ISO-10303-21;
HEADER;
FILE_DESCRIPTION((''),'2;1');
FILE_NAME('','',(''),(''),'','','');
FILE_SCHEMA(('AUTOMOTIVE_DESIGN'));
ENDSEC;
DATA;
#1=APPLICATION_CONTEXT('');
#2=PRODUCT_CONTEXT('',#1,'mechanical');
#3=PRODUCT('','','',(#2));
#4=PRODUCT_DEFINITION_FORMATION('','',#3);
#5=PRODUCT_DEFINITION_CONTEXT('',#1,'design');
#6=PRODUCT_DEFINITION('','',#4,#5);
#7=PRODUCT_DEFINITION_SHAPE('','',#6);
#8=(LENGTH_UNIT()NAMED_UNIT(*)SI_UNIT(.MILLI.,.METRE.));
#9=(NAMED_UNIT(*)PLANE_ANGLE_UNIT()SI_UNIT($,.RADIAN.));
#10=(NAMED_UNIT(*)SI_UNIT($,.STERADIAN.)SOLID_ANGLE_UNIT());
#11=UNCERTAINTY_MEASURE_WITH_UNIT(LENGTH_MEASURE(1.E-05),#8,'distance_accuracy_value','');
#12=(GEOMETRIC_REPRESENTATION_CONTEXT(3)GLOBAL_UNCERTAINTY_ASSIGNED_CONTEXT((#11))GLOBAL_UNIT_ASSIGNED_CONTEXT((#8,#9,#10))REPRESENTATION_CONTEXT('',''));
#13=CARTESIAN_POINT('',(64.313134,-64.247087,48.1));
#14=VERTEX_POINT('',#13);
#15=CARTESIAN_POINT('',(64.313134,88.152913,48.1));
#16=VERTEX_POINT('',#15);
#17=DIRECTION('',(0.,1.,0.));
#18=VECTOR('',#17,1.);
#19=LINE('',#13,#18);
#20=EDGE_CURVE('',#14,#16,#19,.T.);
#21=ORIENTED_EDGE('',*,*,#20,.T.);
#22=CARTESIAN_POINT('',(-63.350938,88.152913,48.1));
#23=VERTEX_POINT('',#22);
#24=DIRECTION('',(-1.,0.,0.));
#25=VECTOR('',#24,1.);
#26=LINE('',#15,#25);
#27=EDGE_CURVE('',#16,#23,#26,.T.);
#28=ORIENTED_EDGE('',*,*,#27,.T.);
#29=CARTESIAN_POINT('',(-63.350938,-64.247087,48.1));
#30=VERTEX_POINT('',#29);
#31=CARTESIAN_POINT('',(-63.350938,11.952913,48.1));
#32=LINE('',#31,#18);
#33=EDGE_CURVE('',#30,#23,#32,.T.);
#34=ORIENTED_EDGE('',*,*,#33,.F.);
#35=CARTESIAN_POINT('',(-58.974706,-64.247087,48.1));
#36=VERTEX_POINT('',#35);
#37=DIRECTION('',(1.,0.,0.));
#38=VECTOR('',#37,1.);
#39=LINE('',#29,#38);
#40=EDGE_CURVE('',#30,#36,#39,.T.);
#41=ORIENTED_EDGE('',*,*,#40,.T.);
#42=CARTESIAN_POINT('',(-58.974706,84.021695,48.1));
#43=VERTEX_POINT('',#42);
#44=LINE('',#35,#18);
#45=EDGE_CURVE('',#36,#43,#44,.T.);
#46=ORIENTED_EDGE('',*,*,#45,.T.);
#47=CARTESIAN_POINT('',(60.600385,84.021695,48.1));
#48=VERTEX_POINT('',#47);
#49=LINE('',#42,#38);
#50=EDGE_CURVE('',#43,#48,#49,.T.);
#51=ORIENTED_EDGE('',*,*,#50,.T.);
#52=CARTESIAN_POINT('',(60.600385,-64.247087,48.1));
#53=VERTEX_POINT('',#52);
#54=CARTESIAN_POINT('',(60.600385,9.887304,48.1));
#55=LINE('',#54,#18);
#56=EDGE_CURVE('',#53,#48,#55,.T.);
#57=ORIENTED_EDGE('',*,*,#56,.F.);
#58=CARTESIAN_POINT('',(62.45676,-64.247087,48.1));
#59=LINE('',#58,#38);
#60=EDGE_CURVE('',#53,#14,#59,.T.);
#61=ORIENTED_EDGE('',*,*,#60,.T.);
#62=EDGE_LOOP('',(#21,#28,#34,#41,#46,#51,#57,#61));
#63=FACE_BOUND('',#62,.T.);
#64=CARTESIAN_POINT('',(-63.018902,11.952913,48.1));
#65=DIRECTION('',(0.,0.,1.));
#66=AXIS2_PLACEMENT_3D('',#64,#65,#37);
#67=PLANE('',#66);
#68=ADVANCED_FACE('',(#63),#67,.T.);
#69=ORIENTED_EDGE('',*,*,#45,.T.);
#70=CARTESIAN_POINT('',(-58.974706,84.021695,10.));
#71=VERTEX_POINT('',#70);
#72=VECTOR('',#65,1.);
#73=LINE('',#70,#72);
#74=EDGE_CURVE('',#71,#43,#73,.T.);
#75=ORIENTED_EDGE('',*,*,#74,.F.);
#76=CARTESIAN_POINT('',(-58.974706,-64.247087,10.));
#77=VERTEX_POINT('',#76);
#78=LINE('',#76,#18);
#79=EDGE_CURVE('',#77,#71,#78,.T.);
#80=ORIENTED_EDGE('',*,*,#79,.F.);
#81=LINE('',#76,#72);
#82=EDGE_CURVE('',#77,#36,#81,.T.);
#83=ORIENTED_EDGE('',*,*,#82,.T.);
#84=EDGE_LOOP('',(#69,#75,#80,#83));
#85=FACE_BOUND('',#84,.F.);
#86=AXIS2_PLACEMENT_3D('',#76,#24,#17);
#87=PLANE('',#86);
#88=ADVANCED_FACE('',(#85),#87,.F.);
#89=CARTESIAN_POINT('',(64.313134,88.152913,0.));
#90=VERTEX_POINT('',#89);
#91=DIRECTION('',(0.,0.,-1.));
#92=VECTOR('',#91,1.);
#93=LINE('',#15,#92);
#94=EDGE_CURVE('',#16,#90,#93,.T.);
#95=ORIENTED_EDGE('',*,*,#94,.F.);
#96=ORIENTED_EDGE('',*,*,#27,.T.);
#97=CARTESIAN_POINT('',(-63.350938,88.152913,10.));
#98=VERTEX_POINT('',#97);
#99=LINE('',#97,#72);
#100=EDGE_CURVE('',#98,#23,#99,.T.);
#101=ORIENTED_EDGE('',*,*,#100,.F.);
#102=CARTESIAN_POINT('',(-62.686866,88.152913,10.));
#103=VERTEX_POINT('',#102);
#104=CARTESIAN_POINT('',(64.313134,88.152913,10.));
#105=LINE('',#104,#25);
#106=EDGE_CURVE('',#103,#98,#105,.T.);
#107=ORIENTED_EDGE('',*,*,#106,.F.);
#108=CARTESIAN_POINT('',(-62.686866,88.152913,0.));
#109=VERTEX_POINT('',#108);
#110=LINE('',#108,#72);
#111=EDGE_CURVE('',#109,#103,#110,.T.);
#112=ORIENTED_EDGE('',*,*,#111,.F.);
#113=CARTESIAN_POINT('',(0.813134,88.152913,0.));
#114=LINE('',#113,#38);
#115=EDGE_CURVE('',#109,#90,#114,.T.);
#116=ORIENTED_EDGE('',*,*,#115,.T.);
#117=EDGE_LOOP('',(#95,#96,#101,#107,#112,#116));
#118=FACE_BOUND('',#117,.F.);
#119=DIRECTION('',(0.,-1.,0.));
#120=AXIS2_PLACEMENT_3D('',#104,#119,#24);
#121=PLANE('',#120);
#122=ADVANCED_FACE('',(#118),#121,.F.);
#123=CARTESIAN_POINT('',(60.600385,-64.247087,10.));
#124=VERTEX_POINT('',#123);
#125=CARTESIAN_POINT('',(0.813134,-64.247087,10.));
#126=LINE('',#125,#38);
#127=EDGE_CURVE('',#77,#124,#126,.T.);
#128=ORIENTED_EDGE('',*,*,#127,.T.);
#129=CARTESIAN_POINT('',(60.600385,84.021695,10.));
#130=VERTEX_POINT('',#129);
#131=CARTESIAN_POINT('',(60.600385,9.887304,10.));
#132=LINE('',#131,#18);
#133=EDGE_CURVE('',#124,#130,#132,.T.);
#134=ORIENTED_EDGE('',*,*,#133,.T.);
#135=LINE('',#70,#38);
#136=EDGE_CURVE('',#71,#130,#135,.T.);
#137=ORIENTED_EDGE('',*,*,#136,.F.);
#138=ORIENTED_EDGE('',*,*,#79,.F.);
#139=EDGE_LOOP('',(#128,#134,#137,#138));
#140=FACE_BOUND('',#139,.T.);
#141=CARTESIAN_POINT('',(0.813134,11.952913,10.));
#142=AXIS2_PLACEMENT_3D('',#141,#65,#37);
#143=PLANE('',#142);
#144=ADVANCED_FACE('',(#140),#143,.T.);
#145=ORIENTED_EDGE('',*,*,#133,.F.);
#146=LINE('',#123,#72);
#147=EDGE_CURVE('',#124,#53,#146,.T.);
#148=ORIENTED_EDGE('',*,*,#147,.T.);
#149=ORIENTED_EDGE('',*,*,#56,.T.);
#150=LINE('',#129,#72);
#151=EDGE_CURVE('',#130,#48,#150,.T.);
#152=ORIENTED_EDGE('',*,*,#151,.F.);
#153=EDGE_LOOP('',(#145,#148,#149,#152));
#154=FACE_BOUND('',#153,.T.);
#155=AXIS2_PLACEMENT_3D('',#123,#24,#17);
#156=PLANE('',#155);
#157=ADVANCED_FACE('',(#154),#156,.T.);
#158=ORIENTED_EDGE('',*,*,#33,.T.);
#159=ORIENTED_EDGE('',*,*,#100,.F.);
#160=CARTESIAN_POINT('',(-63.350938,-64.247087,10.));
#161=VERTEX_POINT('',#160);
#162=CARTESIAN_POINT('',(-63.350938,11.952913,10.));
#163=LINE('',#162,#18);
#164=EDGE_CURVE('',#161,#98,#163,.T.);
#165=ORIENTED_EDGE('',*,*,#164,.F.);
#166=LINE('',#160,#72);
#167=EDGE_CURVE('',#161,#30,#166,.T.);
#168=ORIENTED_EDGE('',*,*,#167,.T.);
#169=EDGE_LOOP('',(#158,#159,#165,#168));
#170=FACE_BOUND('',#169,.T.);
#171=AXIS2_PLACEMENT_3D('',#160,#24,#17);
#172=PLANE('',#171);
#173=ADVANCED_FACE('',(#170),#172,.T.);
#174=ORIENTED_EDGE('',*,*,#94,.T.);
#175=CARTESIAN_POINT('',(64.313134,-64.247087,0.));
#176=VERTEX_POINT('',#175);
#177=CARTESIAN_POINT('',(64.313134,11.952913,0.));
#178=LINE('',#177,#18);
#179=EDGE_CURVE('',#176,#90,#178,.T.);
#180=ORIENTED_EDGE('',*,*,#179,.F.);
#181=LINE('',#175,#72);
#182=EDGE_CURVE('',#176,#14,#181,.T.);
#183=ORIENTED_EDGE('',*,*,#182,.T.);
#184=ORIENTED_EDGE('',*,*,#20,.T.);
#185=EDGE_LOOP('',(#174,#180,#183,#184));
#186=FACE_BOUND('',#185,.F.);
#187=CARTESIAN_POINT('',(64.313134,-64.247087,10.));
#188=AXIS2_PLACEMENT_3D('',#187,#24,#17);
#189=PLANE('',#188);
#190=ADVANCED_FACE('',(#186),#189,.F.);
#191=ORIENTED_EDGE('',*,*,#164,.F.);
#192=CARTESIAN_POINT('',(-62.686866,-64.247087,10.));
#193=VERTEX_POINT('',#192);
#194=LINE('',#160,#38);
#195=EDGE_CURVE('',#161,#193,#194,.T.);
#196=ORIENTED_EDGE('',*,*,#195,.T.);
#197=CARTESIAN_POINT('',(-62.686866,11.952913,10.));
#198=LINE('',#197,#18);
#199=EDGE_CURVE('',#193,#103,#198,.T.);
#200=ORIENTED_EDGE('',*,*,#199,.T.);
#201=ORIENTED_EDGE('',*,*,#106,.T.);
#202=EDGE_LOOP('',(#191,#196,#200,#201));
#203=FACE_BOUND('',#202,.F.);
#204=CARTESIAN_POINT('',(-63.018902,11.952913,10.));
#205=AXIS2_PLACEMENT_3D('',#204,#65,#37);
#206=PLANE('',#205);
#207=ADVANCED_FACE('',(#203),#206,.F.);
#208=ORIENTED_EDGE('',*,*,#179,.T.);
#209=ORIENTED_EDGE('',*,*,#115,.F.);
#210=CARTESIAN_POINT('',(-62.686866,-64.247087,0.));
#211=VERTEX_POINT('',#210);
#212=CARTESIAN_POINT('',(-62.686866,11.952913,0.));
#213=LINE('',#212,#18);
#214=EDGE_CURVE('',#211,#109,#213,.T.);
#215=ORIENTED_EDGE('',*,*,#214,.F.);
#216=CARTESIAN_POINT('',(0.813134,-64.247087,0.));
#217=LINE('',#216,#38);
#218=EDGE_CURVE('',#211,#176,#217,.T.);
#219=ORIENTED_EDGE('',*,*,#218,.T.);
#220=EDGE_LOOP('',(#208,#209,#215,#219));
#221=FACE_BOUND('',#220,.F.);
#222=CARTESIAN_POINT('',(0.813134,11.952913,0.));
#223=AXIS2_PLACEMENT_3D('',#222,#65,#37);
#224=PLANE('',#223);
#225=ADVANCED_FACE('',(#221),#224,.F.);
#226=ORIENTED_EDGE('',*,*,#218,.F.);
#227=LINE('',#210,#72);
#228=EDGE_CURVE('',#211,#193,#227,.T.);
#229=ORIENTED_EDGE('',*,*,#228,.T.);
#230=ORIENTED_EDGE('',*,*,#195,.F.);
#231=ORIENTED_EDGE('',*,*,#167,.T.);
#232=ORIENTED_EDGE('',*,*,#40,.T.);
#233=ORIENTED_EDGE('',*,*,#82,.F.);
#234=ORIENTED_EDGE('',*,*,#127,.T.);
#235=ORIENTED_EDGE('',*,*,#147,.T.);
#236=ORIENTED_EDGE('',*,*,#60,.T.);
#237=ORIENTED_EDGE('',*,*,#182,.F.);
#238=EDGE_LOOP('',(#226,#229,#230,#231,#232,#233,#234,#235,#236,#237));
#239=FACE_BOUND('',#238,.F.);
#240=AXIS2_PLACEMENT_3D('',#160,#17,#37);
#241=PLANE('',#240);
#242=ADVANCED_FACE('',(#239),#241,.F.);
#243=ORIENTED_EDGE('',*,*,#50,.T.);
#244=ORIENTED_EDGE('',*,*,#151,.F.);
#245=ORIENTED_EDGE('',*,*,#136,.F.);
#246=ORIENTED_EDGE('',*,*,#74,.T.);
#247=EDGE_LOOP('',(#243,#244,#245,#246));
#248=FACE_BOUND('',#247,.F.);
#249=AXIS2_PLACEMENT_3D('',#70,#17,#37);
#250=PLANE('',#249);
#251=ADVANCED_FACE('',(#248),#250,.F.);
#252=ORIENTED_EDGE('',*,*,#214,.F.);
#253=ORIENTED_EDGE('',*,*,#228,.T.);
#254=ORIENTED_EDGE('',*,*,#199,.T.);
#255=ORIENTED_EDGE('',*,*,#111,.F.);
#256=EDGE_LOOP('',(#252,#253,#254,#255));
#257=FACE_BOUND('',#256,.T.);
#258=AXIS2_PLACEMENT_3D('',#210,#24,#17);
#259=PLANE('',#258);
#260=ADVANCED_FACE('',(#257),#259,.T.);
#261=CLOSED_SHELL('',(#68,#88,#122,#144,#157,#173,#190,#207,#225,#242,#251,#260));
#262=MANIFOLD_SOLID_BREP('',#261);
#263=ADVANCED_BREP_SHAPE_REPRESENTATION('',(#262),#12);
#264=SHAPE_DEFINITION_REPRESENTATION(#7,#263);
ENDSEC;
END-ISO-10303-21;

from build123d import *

# Parameters (mm, degrees)
F0_W     = 127
F0_H     = 152.4
F1_DEPTH = 10
F2_W     = 0.6640722752
F2_H     = 152.4
F2_W_2   = 3.7127489448
F2_H_2   = 148.2687823314
F3_DEPTH = 38.1


with BuildPart() as f1:
    # F0 (on Top) → F1 (new body)
    with BuildSketch(Plane.XY):
        with Locations((0.8131340146, 11.9529126268)):
            Rectangle(F0_W, F0_H)
    extrude(amount=F1_DEPTH)

    # F2 (on face) → F3 (join)
    with BuildSketch(Plane.XY.offset(10)):
        with Locations((-63.018902123, 11.9529126268)):
            Rectangle(F2_W, F2_H)
        Polygon((-58.9747056365, 88.1529126268), (-62.6868659854, 88.1529126268), (-62.6868659854, -64.2470873732), (-58.9747056365, -64.2470873732), (-58.9747056365, 84.0216949582), align=None)
        Polygon((64.3131340146, 88.1529126268), (-58.9747056365, 88.1529126268), (-58.9747056365, 84.0216949582), (60.6003850698, 84.0216949582), (64.3131340146, 84.0216949582), align=None)
        with Locations((62.4567595422, 9.8873037925)):
            Rectangle(F2_W_2, F2_H_2)
    extrude(amount=F3_DEPTH)


solid = f1.part
